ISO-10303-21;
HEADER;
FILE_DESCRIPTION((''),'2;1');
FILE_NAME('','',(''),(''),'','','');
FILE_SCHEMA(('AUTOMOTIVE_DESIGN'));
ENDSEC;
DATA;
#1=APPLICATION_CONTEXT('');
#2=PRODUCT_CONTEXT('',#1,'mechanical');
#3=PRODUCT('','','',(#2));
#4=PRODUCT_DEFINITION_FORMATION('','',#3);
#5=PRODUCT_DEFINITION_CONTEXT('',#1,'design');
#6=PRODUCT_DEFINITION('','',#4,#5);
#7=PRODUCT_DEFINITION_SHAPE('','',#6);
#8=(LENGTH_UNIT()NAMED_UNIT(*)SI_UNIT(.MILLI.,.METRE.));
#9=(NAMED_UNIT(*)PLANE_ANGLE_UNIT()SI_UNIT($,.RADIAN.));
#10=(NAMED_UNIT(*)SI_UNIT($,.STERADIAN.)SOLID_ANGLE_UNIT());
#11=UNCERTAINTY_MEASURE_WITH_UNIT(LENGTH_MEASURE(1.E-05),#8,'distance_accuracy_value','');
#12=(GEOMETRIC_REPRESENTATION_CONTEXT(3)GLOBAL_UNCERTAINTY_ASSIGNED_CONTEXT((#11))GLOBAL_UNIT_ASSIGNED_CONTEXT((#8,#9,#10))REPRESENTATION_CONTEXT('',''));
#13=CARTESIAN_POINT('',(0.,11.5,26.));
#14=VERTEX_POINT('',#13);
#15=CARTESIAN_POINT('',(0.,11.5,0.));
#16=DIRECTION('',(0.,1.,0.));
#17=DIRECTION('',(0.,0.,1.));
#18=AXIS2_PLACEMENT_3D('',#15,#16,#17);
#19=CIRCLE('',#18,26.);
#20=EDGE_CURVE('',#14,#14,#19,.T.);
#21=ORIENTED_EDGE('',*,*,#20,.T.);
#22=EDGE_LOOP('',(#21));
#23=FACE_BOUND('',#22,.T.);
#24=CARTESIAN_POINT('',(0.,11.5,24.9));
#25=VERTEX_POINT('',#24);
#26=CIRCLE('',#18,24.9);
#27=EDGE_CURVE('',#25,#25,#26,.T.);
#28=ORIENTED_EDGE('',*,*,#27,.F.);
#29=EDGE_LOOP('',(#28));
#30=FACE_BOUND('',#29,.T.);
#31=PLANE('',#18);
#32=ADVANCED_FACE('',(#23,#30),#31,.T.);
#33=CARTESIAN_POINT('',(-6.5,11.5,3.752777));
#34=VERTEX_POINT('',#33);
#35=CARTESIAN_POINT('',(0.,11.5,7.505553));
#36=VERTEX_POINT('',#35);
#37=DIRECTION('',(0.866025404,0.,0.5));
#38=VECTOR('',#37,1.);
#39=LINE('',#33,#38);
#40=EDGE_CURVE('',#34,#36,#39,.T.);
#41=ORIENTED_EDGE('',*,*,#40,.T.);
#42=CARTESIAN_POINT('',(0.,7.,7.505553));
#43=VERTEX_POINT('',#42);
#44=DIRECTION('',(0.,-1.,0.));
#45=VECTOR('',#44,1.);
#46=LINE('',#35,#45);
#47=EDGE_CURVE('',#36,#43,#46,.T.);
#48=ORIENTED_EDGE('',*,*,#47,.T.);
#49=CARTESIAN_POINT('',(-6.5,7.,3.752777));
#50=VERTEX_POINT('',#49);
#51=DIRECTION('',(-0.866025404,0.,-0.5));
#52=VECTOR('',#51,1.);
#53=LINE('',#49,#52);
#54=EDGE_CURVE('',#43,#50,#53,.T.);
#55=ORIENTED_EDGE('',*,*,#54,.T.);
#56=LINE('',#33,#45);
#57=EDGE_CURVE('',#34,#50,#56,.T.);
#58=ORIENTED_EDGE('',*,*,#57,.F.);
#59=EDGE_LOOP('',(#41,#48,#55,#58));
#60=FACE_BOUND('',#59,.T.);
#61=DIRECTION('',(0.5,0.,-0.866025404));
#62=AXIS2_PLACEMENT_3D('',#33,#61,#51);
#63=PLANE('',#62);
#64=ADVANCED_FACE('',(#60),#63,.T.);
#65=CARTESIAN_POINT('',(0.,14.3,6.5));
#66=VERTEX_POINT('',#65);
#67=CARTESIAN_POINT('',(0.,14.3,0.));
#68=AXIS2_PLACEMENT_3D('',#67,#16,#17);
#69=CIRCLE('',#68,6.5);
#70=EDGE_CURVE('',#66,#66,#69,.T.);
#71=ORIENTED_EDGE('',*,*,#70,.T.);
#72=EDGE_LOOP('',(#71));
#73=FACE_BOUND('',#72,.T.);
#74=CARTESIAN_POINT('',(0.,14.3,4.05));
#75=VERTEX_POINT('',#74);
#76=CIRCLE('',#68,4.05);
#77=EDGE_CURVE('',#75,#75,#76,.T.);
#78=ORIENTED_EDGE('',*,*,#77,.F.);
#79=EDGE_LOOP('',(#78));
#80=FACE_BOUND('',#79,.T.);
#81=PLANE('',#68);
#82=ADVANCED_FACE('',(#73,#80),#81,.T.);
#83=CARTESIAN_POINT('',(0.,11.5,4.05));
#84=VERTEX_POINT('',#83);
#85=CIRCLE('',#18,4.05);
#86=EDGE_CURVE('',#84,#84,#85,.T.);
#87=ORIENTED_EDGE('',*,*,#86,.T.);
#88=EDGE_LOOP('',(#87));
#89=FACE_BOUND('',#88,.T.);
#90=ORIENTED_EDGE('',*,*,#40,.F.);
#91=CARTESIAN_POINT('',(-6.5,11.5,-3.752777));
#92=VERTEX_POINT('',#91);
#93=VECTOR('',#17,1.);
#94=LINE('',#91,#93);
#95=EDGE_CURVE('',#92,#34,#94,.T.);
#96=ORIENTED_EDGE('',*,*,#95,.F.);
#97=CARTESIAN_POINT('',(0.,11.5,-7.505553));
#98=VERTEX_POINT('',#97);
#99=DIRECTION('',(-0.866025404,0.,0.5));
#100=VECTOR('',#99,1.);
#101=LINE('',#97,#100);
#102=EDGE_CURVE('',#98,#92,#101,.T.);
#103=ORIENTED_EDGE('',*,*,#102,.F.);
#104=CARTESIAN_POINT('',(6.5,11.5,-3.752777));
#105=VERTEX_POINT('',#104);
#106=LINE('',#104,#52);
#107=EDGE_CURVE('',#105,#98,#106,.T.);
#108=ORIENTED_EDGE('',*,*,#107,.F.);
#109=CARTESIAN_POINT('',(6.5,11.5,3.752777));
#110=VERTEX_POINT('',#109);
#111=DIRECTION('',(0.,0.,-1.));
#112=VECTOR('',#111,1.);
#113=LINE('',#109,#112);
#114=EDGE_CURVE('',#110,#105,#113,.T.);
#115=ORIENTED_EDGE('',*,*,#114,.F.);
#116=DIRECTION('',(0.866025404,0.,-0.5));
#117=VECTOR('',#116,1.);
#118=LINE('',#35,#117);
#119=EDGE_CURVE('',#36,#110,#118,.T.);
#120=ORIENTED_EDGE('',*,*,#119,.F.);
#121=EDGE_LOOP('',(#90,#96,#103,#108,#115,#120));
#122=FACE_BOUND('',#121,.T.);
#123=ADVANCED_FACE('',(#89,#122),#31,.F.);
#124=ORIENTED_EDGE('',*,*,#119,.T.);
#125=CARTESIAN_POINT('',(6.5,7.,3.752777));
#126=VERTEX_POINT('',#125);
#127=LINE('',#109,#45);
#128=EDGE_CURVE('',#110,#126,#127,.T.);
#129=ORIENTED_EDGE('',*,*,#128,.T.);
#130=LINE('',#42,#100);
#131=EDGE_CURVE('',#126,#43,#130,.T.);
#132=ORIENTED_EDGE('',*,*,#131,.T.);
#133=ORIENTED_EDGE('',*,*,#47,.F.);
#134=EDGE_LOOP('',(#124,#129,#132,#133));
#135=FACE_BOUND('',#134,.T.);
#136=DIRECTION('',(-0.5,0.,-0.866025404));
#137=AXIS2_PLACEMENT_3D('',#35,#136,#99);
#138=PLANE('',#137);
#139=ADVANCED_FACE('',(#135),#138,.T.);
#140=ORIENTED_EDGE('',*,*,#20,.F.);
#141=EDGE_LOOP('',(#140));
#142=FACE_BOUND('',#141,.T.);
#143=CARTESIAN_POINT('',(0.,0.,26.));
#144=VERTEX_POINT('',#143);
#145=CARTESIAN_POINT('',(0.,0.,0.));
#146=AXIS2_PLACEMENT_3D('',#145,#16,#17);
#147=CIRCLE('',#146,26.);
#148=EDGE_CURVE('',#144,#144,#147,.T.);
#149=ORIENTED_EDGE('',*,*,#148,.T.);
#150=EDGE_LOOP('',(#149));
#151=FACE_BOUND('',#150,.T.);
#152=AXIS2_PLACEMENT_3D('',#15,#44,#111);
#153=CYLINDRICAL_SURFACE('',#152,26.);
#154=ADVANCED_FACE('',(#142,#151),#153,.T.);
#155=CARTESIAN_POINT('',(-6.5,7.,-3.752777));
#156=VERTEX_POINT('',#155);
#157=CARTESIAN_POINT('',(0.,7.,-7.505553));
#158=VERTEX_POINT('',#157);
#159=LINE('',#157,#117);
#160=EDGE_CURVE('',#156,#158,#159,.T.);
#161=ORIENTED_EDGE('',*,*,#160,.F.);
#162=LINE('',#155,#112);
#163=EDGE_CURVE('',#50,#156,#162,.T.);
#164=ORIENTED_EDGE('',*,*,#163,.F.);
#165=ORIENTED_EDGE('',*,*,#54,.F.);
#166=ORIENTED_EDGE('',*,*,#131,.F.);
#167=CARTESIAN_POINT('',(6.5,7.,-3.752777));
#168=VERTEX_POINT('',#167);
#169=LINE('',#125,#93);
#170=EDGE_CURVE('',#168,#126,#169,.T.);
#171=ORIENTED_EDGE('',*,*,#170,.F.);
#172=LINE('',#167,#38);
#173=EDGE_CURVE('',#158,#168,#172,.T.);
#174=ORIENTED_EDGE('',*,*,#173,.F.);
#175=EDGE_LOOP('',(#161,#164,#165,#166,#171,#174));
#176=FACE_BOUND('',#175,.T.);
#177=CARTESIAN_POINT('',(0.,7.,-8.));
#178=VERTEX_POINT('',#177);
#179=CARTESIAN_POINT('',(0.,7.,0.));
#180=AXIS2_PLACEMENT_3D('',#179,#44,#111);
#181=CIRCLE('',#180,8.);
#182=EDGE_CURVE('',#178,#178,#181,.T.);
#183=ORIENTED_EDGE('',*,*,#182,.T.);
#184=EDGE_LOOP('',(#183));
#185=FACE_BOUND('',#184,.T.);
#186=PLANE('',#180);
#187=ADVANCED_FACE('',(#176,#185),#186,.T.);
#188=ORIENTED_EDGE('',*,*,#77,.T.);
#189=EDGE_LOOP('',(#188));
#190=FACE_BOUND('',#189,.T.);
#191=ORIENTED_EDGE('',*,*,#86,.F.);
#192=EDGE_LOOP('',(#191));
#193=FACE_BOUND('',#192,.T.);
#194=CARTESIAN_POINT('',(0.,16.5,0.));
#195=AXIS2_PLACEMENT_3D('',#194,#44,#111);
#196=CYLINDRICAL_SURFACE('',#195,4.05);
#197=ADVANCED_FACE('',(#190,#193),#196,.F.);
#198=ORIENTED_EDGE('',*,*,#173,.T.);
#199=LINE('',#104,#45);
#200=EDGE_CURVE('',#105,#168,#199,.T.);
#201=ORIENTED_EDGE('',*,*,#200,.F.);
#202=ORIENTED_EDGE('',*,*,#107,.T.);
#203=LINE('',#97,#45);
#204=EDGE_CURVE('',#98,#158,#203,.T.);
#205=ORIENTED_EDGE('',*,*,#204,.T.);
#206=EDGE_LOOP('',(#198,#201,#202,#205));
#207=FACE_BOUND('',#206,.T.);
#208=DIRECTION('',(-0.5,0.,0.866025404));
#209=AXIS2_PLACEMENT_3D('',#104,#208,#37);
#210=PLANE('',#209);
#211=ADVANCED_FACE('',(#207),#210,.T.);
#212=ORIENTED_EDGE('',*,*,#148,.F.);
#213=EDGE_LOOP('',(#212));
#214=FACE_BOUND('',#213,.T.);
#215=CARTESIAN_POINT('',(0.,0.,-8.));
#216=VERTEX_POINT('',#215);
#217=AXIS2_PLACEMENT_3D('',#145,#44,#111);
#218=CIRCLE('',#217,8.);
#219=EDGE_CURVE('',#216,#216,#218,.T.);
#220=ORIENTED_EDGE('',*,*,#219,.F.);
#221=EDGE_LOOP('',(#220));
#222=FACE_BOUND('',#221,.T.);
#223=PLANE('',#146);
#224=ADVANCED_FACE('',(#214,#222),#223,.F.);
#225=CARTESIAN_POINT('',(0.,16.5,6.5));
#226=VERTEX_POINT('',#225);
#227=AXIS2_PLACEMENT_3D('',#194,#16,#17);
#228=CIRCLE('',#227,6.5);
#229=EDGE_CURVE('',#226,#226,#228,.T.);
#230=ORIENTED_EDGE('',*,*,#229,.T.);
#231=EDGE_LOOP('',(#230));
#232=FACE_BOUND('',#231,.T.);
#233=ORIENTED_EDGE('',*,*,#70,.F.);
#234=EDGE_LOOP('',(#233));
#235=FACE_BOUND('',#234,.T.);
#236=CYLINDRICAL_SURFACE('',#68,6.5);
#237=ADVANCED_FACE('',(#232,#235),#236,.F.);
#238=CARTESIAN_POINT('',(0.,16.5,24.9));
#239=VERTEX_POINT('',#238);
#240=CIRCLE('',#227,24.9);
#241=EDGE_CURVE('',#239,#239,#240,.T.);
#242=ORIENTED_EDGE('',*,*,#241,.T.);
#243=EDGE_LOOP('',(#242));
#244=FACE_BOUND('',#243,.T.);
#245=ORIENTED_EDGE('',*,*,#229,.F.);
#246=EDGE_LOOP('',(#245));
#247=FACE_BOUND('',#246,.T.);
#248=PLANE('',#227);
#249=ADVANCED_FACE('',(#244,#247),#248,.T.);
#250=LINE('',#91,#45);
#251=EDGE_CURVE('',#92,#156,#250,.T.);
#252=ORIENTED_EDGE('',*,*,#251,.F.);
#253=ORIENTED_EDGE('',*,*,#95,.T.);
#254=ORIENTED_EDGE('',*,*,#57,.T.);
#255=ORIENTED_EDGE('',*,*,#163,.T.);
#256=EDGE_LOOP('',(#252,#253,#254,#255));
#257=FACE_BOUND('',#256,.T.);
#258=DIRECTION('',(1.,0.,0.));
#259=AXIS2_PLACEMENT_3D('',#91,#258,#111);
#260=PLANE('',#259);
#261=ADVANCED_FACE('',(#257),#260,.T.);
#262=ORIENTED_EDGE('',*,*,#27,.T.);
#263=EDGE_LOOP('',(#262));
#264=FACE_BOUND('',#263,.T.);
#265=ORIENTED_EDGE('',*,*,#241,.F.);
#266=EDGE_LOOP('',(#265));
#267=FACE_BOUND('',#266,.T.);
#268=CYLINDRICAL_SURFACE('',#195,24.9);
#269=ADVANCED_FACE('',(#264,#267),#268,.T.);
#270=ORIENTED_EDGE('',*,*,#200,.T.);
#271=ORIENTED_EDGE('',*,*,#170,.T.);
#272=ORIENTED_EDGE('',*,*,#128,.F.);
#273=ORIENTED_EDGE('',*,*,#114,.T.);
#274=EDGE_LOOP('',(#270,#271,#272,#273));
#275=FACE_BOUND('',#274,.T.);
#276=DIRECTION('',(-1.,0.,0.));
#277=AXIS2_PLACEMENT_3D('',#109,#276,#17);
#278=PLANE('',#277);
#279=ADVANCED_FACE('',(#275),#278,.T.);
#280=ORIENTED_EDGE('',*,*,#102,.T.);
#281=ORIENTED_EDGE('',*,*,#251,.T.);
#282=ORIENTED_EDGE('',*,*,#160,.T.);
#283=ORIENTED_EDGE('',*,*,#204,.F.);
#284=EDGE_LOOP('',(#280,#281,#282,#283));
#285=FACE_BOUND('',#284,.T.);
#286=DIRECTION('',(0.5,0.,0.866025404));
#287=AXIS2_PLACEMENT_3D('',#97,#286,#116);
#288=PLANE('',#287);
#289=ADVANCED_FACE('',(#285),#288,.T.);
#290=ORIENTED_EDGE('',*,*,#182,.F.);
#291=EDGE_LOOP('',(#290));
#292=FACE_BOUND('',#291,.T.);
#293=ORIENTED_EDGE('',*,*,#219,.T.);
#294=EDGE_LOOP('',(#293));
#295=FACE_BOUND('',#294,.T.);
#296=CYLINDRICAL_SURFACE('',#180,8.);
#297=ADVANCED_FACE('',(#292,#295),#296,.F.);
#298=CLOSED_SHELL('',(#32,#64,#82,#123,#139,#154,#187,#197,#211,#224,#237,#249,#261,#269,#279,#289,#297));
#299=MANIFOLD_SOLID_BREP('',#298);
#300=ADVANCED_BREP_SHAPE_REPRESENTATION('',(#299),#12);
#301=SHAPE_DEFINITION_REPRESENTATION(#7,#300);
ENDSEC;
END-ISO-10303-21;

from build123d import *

# Parameters (mm, degrees)
SKETCH1_R           = 26
BOSS_EXTRUDE1_DEPTH = 11.5
SKETCH2_R           = 24.9
SKETCH2_R_2         = 4.05
BOSS_EXTRUDE2_DEPTH = 5
SKETCH3_R           = 8
CUT_EXTRUDE1_DEPTH  = 7
SKETCH4_R           = 6.5
CUT_EXTRUDE2_DEPTH  = 2.2


with BuildPart() as part:
    # Sketch1 → Boss-Extrude1 (new body)
    with BuildSketch(Plane(origin=(0, 0, 0), x_dir=(1, 0, 0), z_dir=(0, 1, 0))):
        with Locations(Location((0, 0, 0), (0, 0, 270))):
            Circle(SKETCH1_R)
        Polygon((0, 7.505553499), (-6.5, 3.75277675), (-6.5, -3.75277675), (0, -7.505553499), (6.5, -3.75277675), (6.5, 3.75277675), align=None, mode=Mode.SUBTRACT)
    extrude(amount=BOSS_EXTRUDE1_DEPTH)

    # Sketch2 → Boss-Extrude2 (add)
    with BuildSketch(Plane(origin=(0, 11.5, 0), x_dir=(1, 0, 0), z_dir=(0, 1, 0))):
        with Locations(Location((0, 0, 0), (0, 0, 270))):
            Circle(SKETCH2_R)
        with Locations(Location((0, 0, 0), (0, 0, 270))):
            Circle(SKETCH2_R_2, mode=Mode.SUBTRACT)
    extrude(amount=BOSS_EXTRUDE2_DEPTH)

    # Sketch3 → Cut-Extrude1 (cut)
    with BuildSketch(Plane.XZ):
        with Locations(Location((0, 0, 0), (0, 0, 270))):
            Circle(SKETCH3_R)
    extrude(amount=-CUT_EXTRUDE1_DEPTH, mode=Mode.SUBTRACT)

    # Sketch4 → Cut-Extrude2 (cut)
    with BuildSketch(Plane(origin=(0, 16.5, 0), x_dir=(1, 0, 0), z_dir=(0, 1, 0))):
        with Locations(Location((0, 0, 0), (0, 0, 270))):
            Circle(SKETCH4_R)
    extrude(amount=-CUT_EXTRUDE2_DEPTH, mode=Mode.SUBTRACT)


solid = part.part
